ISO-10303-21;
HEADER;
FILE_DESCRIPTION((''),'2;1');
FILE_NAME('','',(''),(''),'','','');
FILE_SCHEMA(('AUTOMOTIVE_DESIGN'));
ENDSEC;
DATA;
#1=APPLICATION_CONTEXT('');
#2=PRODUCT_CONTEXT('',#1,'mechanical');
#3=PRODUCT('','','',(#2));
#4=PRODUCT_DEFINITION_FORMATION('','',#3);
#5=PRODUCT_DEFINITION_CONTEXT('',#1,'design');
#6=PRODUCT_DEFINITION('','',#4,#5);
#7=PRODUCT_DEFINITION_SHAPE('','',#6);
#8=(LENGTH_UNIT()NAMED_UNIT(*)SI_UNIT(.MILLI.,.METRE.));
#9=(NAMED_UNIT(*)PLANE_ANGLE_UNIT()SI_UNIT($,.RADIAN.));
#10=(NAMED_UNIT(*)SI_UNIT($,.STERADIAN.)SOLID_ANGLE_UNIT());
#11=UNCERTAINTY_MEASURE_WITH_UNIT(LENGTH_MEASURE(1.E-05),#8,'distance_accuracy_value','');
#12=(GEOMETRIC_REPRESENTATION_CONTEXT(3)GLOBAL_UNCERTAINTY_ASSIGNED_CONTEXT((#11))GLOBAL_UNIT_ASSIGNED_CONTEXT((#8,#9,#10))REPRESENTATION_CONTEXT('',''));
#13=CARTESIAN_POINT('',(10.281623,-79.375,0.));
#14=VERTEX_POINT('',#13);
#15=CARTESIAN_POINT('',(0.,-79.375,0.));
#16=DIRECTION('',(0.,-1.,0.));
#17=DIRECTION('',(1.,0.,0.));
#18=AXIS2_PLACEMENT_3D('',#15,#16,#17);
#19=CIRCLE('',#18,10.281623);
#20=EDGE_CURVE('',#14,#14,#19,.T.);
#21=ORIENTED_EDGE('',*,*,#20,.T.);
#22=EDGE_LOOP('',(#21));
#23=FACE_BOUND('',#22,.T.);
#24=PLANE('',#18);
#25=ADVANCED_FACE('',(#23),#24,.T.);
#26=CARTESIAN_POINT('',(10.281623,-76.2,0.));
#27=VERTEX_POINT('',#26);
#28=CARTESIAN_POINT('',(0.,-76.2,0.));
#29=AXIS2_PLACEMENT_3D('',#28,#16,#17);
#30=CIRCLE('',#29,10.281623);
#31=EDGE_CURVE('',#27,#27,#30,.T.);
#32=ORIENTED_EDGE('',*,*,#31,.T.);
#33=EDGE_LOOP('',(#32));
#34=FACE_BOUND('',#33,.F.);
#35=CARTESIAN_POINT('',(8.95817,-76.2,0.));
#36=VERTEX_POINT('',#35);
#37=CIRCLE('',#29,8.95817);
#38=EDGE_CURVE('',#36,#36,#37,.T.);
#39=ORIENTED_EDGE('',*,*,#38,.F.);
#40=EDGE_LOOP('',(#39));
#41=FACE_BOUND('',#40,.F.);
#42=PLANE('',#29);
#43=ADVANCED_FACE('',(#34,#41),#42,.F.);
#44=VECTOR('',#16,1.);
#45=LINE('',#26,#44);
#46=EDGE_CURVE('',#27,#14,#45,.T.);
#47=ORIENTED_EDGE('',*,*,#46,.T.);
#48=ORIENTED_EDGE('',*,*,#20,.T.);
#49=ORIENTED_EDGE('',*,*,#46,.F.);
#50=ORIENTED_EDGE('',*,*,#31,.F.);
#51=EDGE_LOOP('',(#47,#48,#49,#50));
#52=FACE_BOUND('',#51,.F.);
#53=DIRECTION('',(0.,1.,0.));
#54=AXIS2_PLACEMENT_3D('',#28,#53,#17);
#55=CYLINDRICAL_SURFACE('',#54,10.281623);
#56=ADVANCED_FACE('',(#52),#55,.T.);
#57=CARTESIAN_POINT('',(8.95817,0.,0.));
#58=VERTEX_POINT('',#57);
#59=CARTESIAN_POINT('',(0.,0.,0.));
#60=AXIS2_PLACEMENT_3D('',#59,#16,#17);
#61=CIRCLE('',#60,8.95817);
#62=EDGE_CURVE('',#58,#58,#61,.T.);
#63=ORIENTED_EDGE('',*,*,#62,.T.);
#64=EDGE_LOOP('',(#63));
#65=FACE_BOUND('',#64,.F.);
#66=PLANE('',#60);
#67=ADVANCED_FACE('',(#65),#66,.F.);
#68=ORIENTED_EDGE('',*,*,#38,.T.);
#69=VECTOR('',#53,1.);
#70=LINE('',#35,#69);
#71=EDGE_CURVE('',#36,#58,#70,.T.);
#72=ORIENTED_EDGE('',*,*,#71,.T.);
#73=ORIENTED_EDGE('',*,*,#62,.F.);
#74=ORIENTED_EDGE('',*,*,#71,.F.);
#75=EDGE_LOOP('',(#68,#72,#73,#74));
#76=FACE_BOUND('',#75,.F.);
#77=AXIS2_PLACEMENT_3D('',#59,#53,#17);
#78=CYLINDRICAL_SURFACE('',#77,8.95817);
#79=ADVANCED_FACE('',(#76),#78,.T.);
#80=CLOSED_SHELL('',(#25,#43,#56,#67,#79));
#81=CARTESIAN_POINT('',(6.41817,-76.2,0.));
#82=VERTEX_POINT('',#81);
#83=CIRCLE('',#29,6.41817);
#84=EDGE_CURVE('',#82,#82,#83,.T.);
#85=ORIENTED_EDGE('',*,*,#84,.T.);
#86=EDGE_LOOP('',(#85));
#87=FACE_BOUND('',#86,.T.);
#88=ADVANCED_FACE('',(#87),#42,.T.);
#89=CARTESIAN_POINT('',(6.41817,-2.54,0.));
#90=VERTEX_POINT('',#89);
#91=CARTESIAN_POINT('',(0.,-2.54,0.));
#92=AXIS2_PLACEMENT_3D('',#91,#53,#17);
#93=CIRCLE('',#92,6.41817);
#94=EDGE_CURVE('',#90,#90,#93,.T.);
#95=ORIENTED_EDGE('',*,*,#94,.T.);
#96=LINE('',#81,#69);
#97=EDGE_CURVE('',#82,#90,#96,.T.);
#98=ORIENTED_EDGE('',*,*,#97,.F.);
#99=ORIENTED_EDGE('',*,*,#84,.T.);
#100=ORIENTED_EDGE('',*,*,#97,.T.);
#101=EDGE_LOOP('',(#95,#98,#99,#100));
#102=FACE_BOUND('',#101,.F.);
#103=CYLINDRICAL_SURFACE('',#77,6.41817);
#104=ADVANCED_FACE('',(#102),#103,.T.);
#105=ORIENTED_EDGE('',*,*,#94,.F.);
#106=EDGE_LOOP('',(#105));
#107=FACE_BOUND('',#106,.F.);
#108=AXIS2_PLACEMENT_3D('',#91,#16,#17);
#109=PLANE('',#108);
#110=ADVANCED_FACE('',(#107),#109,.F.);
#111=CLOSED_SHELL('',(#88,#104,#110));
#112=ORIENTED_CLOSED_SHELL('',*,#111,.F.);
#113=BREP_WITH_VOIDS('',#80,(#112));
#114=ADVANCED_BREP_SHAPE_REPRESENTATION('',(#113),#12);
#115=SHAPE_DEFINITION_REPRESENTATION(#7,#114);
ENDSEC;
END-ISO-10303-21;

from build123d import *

# Parameters (mm, degrees)
F0_R     = 8.95817
F1_DEPTH = 13.716
F2_DEPTH = 76.2
F3_T     = -2.54
F4_R     = 10.281623
F5_DEPTH = 3.175


with BuildPart() as f1:
    # F0 (on Front) → F1 (new body)
    with BuildSketch(Plane.XZ):
        Circle(F0_R)
    extrude(amount=F1_DEPTH)

    # F0 (on Front) → F2 (join)
    with BuildSketch(Plane.XZ):
        Circle(F0_R)
    extrude(amount=F2_DEPTH)

    # F3
    f3_openings = [f1.faces().sort_by_distance(p)[0] for p in [
        (0, -76.2, 0),
    ]]
    offset(amount=F3_T, openings=f3_openings)

    # F4 (on face) → F5 (join)
    with BuildSketch(Plane.XZ.offset(76.2)):
        Circle(F4_R)
    extrude(amount=F5_DEPTH)


solid = f1.part
